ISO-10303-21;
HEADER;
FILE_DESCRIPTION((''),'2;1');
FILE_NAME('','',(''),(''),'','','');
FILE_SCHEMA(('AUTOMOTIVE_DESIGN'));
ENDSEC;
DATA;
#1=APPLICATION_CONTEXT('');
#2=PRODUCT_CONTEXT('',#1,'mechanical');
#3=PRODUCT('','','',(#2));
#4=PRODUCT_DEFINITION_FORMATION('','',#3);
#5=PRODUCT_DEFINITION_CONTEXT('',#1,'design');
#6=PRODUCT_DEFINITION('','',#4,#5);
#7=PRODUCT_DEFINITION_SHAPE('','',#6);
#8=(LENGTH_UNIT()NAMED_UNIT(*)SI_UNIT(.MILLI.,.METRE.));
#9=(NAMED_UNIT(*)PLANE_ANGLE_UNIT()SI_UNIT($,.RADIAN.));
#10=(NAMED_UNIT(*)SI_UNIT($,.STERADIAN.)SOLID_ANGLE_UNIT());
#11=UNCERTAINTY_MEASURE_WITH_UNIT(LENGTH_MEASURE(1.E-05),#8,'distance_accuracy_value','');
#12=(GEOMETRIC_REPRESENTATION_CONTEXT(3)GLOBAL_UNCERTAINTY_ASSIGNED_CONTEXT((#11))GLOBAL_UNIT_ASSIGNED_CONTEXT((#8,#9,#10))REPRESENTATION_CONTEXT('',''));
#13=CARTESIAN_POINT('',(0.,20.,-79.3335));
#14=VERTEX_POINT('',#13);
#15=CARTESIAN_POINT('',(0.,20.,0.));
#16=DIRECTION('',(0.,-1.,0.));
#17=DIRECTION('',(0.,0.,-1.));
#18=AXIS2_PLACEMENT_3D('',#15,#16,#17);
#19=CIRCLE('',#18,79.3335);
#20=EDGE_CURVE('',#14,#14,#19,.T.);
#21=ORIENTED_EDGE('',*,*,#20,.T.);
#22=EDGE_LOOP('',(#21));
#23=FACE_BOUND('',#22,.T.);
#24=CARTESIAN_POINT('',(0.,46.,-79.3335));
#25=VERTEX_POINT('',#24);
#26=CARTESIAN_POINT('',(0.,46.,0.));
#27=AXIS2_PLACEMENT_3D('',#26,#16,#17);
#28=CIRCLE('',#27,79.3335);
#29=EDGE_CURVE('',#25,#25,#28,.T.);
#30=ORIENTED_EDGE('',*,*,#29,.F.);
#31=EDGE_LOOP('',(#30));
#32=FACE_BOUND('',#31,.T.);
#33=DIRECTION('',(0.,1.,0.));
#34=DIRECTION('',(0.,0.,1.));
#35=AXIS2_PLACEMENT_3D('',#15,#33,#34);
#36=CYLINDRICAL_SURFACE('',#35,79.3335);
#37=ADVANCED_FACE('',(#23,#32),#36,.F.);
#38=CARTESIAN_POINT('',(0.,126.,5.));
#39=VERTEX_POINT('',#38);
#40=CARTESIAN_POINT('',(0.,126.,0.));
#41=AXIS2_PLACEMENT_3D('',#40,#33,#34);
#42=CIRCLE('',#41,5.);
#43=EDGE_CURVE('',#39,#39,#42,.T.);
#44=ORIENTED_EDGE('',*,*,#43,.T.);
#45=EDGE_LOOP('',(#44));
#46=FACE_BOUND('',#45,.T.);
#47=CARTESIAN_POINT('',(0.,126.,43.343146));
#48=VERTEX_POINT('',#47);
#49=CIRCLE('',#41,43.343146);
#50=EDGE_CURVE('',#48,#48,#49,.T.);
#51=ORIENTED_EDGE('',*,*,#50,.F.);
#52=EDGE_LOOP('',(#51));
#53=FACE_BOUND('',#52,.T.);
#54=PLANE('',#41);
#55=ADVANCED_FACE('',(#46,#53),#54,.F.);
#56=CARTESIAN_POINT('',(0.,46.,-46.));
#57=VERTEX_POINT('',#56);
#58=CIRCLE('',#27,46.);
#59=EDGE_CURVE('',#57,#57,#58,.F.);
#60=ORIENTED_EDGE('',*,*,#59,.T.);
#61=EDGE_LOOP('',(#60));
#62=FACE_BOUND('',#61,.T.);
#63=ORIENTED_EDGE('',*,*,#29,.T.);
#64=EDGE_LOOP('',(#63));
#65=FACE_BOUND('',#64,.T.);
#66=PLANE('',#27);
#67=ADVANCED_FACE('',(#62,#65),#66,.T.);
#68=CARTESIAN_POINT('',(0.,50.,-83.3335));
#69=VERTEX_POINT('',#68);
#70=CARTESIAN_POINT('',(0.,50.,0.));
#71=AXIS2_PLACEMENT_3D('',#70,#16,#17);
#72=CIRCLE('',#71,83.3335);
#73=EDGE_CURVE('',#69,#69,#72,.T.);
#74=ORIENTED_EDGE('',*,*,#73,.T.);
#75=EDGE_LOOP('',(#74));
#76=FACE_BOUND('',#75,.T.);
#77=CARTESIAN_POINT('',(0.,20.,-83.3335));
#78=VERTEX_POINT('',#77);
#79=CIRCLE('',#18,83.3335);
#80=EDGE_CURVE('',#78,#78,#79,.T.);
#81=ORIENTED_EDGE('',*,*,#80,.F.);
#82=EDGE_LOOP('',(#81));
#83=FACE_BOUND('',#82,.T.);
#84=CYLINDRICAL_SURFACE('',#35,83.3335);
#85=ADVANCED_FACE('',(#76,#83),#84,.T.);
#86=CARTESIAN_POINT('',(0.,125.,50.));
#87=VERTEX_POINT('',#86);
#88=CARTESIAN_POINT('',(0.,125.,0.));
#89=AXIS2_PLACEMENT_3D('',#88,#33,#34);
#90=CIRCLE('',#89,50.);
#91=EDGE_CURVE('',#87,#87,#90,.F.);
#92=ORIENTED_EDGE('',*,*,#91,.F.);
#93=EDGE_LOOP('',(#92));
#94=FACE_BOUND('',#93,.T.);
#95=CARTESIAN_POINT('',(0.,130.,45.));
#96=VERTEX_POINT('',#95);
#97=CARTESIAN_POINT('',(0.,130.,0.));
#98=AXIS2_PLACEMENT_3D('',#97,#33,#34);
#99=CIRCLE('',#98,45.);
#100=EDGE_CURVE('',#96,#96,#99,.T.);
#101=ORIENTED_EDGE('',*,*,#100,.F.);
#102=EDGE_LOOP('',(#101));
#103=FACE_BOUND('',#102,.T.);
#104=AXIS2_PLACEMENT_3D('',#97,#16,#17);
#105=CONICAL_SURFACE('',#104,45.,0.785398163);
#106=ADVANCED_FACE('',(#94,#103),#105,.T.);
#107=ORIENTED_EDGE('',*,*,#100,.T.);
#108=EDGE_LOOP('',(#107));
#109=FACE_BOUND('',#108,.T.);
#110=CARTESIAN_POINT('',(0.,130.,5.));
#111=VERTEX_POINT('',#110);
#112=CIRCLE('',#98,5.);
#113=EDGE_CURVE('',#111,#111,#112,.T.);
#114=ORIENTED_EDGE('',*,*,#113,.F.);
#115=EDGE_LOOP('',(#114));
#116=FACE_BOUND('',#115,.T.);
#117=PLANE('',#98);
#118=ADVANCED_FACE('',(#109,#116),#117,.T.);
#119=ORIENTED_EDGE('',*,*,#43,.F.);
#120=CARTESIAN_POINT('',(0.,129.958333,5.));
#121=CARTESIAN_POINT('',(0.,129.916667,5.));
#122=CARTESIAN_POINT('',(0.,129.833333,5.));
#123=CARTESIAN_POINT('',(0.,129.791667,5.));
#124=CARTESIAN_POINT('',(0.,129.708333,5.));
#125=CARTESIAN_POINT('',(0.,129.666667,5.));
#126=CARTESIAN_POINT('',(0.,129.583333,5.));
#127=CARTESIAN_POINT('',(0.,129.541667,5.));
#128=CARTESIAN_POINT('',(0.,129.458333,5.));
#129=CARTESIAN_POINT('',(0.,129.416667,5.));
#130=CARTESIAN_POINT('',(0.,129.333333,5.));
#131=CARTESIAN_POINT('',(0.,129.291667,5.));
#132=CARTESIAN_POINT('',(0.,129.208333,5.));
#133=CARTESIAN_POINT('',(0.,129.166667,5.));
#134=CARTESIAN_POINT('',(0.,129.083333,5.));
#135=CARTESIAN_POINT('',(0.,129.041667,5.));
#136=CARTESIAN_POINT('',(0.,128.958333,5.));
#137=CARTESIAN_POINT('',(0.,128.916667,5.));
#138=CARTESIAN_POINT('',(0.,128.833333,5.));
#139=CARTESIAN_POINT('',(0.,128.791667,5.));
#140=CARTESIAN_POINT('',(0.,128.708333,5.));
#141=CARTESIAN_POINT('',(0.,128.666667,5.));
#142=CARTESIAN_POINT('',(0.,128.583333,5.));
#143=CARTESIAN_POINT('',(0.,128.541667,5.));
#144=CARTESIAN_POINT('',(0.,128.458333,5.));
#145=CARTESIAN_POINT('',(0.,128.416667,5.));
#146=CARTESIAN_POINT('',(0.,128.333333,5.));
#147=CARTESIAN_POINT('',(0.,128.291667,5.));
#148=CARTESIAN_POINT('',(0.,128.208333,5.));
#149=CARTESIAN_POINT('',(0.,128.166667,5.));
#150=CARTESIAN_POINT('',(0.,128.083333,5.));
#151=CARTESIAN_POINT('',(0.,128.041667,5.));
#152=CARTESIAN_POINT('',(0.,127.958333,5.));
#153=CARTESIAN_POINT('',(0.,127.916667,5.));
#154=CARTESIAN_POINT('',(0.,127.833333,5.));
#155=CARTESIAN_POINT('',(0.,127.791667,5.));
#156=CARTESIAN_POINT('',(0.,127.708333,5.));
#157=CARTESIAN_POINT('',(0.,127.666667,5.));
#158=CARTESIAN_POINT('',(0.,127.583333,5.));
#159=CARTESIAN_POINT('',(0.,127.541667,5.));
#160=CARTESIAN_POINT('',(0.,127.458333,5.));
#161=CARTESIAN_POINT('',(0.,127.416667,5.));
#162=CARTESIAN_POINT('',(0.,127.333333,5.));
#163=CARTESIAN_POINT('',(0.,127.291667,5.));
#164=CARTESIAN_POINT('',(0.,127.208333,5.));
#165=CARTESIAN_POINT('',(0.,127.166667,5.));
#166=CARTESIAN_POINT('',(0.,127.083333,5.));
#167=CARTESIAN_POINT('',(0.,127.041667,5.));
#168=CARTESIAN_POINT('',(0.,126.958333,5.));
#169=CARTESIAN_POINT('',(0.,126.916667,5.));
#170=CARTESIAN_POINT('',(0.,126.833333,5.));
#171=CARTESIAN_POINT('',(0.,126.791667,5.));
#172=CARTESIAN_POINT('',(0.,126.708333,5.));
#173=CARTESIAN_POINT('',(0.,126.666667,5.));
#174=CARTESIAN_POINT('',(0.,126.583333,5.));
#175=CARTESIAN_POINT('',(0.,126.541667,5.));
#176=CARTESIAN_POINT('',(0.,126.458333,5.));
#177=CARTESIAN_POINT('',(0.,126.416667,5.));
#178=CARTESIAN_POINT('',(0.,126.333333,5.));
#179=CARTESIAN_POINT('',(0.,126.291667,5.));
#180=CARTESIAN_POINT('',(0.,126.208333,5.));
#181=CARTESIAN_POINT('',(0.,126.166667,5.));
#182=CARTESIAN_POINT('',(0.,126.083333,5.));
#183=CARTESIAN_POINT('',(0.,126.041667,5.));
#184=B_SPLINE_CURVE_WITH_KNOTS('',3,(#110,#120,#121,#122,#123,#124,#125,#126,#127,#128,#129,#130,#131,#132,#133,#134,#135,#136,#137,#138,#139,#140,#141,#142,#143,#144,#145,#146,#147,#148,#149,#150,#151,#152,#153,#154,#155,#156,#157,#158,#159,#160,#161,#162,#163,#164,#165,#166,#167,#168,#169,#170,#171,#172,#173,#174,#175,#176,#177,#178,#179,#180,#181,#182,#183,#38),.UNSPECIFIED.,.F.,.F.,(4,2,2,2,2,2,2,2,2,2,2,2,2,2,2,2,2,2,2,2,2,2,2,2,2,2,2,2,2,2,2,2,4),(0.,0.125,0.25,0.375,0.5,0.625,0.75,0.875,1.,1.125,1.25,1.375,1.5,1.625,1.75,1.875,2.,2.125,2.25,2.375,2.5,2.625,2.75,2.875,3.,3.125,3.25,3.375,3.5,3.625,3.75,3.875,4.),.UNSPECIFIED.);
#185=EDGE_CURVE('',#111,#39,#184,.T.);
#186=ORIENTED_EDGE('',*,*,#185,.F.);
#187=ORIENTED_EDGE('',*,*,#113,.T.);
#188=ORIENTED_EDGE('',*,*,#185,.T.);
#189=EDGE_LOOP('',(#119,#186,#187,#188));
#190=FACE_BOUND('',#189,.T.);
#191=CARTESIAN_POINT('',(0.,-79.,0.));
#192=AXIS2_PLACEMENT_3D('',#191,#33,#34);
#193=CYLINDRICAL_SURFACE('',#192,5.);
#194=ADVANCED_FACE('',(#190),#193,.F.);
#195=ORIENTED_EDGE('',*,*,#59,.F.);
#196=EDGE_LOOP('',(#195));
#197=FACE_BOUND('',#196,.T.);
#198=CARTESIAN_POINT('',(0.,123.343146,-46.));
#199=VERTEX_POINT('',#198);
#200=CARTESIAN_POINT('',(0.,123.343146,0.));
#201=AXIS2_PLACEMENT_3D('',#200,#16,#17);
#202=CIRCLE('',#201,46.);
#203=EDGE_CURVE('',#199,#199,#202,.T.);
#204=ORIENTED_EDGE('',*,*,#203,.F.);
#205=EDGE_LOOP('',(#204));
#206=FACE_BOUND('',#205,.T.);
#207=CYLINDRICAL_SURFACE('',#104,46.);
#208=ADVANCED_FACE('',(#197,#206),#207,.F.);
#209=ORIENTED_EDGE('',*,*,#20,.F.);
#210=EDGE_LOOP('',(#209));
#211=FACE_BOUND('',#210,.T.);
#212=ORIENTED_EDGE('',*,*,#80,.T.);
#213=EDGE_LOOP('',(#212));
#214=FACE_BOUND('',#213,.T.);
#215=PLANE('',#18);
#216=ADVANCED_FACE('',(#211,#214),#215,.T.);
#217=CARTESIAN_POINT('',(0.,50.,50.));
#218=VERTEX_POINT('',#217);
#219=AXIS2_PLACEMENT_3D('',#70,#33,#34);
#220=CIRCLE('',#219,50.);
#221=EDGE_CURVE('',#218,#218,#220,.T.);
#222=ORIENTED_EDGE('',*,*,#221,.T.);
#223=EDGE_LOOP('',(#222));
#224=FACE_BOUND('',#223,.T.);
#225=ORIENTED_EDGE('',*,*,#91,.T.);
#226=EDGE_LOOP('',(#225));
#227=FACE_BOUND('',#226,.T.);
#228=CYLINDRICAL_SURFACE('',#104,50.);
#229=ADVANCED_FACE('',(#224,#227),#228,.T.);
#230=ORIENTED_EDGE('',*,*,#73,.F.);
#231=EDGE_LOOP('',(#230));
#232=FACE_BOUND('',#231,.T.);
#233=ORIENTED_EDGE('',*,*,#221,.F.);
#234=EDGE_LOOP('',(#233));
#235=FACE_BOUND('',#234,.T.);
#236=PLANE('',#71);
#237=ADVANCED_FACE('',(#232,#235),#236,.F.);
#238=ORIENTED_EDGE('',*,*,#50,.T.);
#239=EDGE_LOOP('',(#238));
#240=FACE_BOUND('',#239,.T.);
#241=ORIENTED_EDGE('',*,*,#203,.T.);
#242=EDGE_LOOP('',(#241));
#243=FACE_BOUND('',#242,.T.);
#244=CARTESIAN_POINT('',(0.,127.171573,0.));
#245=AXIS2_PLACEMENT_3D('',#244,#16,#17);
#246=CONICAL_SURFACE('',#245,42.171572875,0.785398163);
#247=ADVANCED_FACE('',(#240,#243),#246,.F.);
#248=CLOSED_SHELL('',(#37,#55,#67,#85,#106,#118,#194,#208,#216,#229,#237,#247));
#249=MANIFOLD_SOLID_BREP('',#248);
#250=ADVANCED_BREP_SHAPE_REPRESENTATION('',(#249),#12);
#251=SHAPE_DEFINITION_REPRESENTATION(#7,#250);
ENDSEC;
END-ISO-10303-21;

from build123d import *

# Parameters (mm, degrees)
BOSS_EXTRUDE1_DEPTH = 100
SKETCH3_R           = 50
BOSS_EXTRUDE3_DEPTH = 80
CHAMFER1_SIZE       = 5
FILLET1_R           = 1
SKETCH4_R           = 5
CUT_EXTRUDE1_DEPTH  = 20
SKETCH5_R           = 15
SKETCH5_R_2         = 2.5
SKETCH5_W           = 60
SKETCH5_H           = 10
SKETCH5_W_2         = 50
CUT_EXTRUDE2_DEPTH  = 20
SKETCH6_W           = 150
SKETCH6_H           = 200
CUT_EXTRUDE3_DEPTH  = 181
SKETCH7_R           = 83.3335
BOSS_EXTRUDE4_DEPTH = 30
SHELL1_T            = -4
SKETCH10_R          = 5
CUT_EXTRUDE4_DEPTH  = 209


with BuildPart() as part:
    # Sketch2 → Boss-Extrude1 (new, symmetric)
    with BuildSketch(Plane.XY):
        with BuildLine():
            Line((-75, 50), (-70, 50))
            ThreePointArc((-70, 50), (-65, 45), (-60, 50))
            Line((-60, 50), (-35, 50))
            Line((-35, 50), (-25, 50))
            Line((-25, 50), (25, 50))
            Line((25, 50), (35, 50))
            Line((35, 50), (60, 50))
            ThreePointArc((60, 50), (65, 45), (70, 50))
            Line((70, 50), (75, 50))
            Line((75, 50), (75, 15))
            ThreePointArc((75, 15), (70.980762114, 0), (75, -15))
            Line((75, -15), (75, -50))
            Line((75, -50), (70, -50))
            ThreePointArc((70, -50), (65, -45), (60, -50))
            Line((60, -50), (35, -50))
            ThreePointArc((35, -50), (30, -45), (25, -50))
            Line((25, -50), (-25, -50))
            ThreePointArc((-25, -50), (-30, -45), (-35, -50))
            Line((-35, -50), (-60, -50))
            ThreePointArc((-60, -50), (-65, -45), (-70, -50))
            Line((-70, -50), (-75, -50))
            Line((-75, -50), (-75, -15))
            ThreePointArc((-75, -15), (-70.980762114, 0), (-75, 15))
            Line((-75, 15), (-75, 50))
        make_face()
    extrude(amount=BOSS_EXTRUDE1_DEPTH, both=True)

    # Sketch3 → Boss-Extrude3 (add)
    with BuildSketch(Plane(origin=(0, 50, 0), x_dir=(1, 0, 0), z_dir=(0, 1, 0))):
        with Locations(Location((0, 0, 0), (0, 0, 90))):
            Circle(SKETCH3_R)
    extrude(amount=BOSS_EXTRUDE3_DEPTH)

    # Chamfer1
    chamfer1_edges = [part.edges().sort_by_distance(p)[0] for p in [
        (0, 130, 50),
    ]]
    chamfer(chamfer1_edges, length=CHAMFER1_SIZE)

    # Fillet1
    fillet1_edges = [part.edges().sort_by_distance(p)[0] for p in [
        (-75, -50, 0),
        (-75, 50, 0),
        (75, 50, 0),
        (75, -50, 0),
    ]]
    fillet(fillet1_edges, radius=FILLET1_R)

    # Sketch4 → Cut-Extrude1 (cut)
    with BuildSketch(Plane.XZ.offset(50)):
        with Locations(Location((-47.5, 80, 0), (0, 0, 270))):
            Circle(SKETCH4_R)
        with Locations(Location((47.5, 80, 0), (0, 0, 270))):
            Circle(SKETCH4_R)
        with Locations(Location((47.5, 40, 0), (0, 0, 270))):
            Circle(SKETCH4_R)
        with Locations(Location((47.5, 0, 0), (0, 0, 270))):
            Circle(SKETCH4_R)
        with Locations(Location((47.5, -40, 0), (0, 0, 270))):
            Circle(SKETCH4_R)
        with Locations(Location((47.5, -80, 0), (0, 0, 270))):
            Circle(SKETCH4_R)
        with Locations(Location((-47.5, 40, 0), (0, 0, 270))):
            Circle(SKETCH4_R)
        with Locations(Location((-47.5, 0, 0), (0, 0, 270))):
            Circle(SKETCH4_R)
        with Locations(Location((-47.5, -40, 0), (0, 0, 270))):
            Circle(SKETCH4_R)
        with Locations(Location((-47.5, -80, 0), (0, 0, 270))):
            Circle(SKETCH4_R)
    extrude(amount=-CUT_EXTRUDE1_DEPTH, mode=Mode.SUBTRACT)

    # Sketch5 → Cut-Extrude2 (cut)
    with BuildSketch(Plane(origin=(0, 0, -100), x_dir=(-1, 0, 0), z_dir=(0, 0, -1))):
        with Locations((40, 25)):
            Circle(SKETCH5_R)
        with Locations((35, 25)):
            Circle(SKETCH5_R_2, mode=Mode.SUBTRACT)
        with Locations((45, 25)):
            Circle(SKETCH5_R_2, mode=Mode.SUBTRACT)
        with Locations((-25, -20)):
            Rectangle(SKETCH5_W, SKETCH5_H)
        with Locations((-25, 10)):
            Rectangle(SKETCH5_W_2, SKETCH5_H)
    extrude(amount=-CUT_EXTRUDE2_DEPTH, mode=Mode.SUBTRACT)

    # Sketch6 → Cut-Extrude3 (cut)
    with BuildSketch(Plane(origin=(0, 50, 0), x_dir=(1, 0, 0), z_dir=(0, 1, 0))):
        Rectangle(SKETCH6_W, SKETCH6_H)
    extrude(amount=-CUT_EXTRUDE3_DEPTH, mode=Mode.SUBTRACT)

    # Sketch7 → Boss-Extrude4 (add)
    with BuildSketch(Plane.XZ.offset(-50)):
        with Locations(Location((0, 0, 0), (0, 0, 270))):
            Circle(SKETCH7_R)
    extrude(amount=BOSS_EXTRUDE4_DEPTH)

    # Shell1
    shell1_openings = [part.faces().sort_by_distance(p)[0] for p in [
        (0, 20, 0),
    ]]
    offset(amount=SHELL1_T, openings=shell1_openings, kind=Kind.INTERSECTION)

    # Sketch10 → Cut-Extrude4 (cut)
    with BuildSketch(Plane(origin=(0, 130, 0), x_dir=(1, 0, 0), z_dir=(0, 1, 0))):
        with Locations(Location((0, 0, 0), (0, 0, 270))):
            Circle(SKETCH10_R)
    extrude(amount=-CUT_EXTRUDE4_DEPTH, mode=Mode.SUBTRACT)


solid = part.part
